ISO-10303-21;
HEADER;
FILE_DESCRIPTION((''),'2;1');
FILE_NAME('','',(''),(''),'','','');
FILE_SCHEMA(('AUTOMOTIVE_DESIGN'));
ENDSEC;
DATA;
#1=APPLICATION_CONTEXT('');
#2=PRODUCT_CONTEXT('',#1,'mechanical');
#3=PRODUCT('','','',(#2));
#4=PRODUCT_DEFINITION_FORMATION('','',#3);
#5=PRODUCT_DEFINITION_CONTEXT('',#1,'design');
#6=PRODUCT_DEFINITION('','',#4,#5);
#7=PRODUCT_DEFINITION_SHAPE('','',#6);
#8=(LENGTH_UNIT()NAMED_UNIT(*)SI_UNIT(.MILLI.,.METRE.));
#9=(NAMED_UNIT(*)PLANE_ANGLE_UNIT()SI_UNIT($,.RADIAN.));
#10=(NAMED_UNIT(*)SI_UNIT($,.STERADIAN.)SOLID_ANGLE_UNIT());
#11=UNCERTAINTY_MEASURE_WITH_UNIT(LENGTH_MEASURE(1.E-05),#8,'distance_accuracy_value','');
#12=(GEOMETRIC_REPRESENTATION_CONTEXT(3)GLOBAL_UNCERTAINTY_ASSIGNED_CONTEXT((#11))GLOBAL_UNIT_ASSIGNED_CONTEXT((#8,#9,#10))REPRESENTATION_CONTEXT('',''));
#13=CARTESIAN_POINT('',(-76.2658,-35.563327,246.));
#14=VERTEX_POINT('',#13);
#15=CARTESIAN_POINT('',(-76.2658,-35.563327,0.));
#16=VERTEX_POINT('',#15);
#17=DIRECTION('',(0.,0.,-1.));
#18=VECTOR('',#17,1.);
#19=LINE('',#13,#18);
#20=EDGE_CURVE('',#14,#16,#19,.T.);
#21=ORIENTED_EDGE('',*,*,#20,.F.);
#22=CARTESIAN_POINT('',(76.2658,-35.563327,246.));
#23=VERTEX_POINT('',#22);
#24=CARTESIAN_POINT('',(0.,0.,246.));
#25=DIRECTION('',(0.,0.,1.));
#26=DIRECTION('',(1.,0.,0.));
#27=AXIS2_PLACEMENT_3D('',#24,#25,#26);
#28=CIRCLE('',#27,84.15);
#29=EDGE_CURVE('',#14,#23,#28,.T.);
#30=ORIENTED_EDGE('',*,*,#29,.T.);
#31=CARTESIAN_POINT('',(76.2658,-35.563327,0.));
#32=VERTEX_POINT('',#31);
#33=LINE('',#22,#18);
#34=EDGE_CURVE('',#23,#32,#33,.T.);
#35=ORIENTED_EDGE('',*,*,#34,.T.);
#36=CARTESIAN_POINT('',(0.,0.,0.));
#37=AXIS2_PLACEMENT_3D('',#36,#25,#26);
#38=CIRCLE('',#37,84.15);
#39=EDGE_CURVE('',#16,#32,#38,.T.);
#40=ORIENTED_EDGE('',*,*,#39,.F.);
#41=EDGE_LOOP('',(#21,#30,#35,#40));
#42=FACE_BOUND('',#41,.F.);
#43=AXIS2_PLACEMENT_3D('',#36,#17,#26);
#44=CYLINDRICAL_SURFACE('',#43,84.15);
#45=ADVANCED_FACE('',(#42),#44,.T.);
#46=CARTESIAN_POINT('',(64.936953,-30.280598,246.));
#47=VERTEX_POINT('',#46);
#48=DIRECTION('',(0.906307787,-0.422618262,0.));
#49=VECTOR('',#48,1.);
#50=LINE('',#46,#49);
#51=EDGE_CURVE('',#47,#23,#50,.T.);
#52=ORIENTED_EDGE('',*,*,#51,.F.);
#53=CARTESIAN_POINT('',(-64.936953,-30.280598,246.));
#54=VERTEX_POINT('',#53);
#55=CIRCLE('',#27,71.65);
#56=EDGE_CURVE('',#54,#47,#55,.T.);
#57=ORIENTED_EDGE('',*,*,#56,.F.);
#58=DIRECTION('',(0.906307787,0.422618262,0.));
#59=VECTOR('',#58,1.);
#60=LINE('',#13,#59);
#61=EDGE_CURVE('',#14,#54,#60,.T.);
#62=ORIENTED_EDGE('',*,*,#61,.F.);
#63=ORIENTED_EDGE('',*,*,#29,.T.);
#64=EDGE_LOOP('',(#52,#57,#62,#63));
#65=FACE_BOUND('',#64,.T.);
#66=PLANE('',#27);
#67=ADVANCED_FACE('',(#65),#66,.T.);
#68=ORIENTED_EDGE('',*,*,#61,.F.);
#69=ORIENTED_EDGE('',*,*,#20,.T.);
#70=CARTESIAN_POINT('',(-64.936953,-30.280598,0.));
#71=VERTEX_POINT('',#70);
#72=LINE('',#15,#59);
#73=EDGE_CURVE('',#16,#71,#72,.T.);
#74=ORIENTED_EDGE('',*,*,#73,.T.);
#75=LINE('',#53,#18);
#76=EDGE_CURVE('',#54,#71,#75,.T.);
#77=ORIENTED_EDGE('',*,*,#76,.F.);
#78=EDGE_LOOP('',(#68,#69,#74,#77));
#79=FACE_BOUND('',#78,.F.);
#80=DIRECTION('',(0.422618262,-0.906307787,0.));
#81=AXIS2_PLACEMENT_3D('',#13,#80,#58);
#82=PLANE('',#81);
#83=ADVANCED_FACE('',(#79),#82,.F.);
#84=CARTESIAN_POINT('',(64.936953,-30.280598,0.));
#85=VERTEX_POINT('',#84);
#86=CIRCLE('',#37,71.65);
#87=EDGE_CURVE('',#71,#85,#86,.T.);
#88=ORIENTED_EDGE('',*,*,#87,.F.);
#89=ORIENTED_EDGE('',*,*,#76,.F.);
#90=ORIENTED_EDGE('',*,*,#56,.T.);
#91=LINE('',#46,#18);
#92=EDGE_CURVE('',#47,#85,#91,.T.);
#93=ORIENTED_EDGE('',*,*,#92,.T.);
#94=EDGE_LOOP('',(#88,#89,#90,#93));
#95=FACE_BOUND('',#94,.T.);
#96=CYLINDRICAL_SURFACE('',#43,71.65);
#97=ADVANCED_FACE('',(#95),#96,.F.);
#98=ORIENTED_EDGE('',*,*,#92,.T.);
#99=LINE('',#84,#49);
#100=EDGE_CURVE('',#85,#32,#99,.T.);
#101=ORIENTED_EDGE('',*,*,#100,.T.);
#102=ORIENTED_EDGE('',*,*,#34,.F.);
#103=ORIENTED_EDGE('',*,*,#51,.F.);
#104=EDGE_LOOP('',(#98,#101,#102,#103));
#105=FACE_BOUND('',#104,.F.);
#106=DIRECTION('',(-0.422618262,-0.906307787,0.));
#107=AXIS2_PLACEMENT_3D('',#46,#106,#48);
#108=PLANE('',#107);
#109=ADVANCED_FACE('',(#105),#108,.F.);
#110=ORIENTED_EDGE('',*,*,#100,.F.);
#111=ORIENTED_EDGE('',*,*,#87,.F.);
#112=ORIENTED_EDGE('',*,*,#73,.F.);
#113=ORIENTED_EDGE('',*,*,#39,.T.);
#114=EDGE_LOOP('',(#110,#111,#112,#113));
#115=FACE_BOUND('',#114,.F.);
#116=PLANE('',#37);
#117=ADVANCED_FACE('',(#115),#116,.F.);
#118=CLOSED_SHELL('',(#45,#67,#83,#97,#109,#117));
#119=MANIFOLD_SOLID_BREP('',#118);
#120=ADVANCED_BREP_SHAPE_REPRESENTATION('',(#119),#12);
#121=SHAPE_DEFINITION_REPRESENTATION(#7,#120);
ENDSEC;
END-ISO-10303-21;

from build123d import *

# Parameters (mm, degrees)
F0_R     = 84.15
F0_R_2   = 71.65
F1_DEPTH = 246
F3_DEPTH = 246


with BuildPart() as f1:
    # F0 (on Top) → F1 (new body)
    with BuildSketch(Plane.XY):
        Circle(F0_R)
        Circle(F0_R_2, mode=Mode.SUBTRACT)
    extrude(amount=F1_DEPTH)

    # F2 (on face) → F3 (cut, through all)
    with BuildSketch(Plane.XY.offset(246)):
        with BuildLine():
            ThreePointArc((71.65, 0), (69.9516089101, -15.5078983387), (64.9369529412, -30.2805984537))
            Line((64.9369529412, -30.2805984537), (76.2658002791, -35.5633267255))
            ThreePointArc((76.2658002791, -35.5633267255), (82.1553089991, -18.2133935129), (84.15, 0))
            ThreePointArc((84.15, 0), (-18.2133935129, 82.1553089991), (-76.2658002791, -35.5633267255))
            Line((-76.2658002791, -35.5633267255), (-64.9369529412, -30.2805984537))
            ThreePointArc((-64.9369529412, -30.2805984537), (-15.5078983387, 69.9516089101), (71.65, 0))
        make_face()
    extrude(amount=-F3_DEPTH, mode=Mode.SUBTRACT)


solid = f1.part
